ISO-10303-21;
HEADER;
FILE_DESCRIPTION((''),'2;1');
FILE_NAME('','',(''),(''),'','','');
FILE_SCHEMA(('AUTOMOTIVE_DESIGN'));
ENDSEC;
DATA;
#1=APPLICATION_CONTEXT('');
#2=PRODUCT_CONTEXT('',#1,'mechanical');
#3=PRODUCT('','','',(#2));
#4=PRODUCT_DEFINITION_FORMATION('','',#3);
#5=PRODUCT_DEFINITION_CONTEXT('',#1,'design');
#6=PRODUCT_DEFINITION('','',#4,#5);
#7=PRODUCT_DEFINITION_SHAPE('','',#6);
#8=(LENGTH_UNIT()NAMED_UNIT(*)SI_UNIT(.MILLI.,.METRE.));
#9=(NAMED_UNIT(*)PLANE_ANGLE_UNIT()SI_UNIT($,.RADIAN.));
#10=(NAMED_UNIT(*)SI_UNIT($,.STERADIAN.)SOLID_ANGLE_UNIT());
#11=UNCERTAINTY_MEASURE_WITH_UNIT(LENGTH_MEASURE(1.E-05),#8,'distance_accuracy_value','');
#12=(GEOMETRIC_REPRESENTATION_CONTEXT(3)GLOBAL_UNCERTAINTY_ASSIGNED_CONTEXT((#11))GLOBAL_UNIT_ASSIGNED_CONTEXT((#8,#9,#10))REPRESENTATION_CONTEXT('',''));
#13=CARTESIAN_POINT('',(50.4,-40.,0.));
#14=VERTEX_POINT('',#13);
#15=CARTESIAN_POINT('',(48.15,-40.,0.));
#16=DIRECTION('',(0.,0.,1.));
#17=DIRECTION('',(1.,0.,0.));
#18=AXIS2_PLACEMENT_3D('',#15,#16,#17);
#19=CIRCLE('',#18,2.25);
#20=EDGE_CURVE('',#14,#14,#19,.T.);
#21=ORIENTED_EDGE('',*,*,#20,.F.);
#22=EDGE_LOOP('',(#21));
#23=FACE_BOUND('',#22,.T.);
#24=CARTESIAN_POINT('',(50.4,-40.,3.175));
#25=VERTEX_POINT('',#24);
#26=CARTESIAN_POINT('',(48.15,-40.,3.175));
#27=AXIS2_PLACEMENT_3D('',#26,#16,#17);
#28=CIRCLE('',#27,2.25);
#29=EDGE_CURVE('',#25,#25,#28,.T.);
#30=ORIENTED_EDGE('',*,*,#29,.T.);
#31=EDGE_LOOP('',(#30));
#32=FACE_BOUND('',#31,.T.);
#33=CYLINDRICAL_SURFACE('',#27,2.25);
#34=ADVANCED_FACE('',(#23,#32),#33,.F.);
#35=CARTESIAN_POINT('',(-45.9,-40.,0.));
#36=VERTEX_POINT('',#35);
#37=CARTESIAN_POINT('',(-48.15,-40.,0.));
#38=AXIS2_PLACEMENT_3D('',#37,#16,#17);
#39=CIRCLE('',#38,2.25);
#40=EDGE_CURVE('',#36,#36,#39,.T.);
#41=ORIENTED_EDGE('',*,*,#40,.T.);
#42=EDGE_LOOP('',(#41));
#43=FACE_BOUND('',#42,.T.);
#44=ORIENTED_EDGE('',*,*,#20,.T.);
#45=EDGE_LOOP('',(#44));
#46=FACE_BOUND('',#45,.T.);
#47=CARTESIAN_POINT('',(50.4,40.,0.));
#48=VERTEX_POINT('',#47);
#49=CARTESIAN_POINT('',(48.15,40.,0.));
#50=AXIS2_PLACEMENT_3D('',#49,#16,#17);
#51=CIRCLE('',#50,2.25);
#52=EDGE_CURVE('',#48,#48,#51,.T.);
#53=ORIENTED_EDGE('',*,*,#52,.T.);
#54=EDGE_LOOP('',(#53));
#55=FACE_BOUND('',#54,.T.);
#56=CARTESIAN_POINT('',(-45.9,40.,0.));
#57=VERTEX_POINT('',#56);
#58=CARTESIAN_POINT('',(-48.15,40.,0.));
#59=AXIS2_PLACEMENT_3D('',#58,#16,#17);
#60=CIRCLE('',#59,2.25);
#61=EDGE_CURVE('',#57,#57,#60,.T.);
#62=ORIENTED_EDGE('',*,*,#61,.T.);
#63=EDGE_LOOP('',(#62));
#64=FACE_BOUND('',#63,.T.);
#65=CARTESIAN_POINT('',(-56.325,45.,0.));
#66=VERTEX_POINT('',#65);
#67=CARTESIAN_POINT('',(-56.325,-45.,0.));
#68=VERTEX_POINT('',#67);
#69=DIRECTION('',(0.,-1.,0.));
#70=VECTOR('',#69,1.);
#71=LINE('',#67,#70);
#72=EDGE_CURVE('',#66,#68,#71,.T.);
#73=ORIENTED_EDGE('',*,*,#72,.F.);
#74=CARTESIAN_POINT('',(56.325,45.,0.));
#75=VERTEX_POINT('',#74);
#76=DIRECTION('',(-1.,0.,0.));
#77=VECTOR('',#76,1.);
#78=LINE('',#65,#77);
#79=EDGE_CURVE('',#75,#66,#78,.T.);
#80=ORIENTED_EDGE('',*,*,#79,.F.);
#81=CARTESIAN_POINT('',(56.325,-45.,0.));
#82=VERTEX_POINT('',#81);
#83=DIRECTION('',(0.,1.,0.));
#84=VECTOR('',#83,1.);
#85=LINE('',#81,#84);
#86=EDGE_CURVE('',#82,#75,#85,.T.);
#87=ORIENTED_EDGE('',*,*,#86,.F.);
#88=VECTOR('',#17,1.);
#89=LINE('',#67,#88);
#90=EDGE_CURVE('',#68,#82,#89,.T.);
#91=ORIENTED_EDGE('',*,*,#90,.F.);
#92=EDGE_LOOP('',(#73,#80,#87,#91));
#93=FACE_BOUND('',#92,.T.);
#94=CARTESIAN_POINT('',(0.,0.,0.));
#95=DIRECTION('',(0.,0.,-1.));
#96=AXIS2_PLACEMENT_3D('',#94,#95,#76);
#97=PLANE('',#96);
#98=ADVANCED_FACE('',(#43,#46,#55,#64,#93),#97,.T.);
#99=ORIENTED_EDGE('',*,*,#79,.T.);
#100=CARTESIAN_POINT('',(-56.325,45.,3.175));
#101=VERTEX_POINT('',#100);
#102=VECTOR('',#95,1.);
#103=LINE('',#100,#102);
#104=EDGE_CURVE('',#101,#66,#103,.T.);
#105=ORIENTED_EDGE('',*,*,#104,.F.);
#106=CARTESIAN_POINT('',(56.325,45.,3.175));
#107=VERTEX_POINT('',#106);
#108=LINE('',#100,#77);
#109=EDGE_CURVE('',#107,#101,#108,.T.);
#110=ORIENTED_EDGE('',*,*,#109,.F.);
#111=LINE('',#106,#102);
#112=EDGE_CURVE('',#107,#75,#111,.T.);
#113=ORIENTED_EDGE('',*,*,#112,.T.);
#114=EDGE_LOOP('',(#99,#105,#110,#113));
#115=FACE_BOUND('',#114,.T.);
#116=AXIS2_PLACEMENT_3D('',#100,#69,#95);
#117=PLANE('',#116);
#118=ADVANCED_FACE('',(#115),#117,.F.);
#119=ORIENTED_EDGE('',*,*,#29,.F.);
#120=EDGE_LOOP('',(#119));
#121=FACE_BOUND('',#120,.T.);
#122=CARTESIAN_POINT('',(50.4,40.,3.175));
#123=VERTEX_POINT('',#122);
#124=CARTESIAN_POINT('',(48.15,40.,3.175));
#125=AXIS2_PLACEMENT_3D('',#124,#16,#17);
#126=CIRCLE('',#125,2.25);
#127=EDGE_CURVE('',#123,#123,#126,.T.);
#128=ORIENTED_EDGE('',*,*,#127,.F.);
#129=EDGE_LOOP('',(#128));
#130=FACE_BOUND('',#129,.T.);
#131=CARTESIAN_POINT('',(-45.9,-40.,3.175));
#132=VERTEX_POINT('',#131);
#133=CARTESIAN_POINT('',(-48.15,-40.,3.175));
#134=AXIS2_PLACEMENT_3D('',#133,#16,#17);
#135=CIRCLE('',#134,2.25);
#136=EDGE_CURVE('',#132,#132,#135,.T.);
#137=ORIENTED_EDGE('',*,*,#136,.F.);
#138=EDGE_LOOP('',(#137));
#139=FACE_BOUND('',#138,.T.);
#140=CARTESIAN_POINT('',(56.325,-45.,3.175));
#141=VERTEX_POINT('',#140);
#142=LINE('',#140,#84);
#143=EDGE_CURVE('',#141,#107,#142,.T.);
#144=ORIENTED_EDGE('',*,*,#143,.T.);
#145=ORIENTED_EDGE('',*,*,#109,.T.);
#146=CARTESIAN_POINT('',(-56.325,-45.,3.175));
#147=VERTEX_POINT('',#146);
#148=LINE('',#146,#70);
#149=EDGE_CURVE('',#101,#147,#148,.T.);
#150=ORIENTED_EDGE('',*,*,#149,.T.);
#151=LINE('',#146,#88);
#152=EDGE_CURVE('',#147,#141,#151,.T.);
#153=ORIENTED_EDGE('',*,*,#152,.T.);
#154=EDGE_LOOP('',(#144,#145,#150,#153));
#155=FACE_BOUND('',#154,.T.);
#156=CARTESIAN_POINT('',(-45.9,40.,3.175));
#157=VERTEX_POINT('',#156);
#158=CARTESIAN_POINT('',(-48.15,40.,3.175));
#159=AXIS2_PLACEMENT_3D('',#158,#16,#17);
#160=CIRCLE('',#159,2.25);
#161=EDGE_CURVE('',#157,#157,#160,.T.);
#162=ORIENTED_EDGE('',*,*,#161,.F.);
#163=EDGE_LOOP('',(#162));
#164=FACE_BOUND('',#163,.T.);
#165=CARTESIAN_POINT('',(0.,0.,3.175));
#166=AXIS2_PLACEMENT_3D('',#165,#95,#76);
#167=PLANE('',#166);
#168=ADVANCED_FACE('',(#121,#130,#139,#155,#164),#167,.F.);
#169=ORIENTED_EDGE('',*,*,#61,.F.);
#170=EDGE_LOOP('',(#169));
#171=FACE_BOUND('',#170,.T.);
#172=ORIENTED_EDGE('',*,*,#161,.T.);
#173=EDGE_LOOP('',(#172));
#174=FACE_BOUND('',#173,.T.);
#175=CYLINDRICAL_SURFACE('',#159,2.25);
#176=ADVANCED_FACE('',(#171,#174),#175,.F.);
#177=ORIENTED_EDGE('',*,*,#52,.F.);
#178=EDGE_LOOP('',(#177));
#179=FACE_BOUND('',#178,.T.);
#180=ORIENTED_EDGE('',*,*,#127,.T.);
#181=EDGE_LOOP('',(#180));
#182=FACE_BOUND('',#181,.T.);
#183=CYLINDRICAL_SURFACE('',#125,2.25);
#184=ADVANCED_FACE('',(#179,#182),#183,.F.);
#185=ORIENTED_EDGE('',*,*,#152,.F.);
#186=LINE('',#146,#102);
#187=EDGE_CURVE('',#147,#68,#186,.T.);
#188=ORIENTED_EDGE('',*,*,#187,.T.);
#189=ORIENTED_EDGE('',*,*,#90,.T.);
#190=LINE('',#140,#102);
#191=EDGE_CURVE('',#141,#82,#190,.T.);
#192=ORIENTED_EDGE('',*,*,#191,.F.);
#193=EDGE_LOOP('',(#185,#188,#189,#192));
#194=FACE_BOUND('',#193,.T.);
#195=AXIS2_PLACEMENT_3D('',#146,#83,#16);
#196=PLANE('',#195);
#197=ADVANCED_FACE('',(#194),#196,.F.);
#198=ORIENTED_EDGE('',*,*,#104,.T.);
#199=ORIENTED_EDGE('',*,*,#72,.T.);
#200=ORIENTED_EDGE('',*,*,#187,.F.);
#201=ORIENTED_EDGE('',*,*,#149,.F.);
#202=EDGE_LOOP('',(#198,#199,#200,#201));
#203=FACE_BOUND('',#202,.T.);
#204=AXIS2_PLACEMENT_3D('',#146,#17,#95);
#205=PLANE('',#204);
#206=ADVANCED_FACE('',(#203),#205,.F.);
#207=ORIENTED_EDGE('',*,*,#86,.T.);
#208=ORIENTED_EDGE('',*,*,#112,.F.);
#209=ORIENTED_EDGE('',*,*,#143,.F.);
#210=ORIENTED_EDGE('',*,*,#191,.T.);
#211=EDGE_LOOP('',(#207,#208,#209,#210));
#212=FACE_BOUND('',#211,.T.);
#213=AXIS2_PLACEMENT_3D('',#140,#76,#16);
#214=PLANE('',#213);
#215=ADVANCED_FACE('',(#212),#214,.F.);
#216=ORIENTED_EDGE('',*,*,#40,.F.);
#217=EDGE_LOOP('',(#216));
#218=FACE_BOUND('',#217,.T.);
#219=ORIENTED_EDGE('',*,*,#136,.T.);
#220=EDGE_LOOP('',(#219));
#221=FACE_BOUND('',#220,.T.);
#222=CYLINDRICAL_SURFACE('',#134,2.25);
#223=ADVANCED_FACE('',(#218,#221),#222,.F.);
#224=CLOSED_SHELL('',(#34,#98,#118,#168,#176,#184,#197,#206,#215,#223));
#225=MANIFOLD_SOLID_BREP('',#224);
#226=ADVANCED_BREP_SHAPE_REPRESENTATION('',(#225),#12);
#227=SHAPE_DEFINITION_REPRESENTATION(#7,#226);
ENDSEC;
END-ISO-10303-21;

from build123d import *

# Parameters (mm, degrees)
SKETCH1_W                            = 112.65
SKETCH1_H                            = 90
BOSS_EXTRUDE1_DEPTH                  = 3.175
M4_CLEARANCE_HOLE1_D                 = 4.5
MIRROR1_AT_THE_SECOND_PLANE_COPY_1_D = 4.5


with BuildPart() as part:
    # Sketch1 → Boss-Extrude1 (new body)
    with BuildSketch(Plane.XY):
        Rectangle(SKETCH1_W, SKETCH1_H)
    extrude(amount=BOSS_EXTRUDE1_DEPTH)

    # M4 Clearance Hole1 (through all)
    with Locations(Plane.XY.offset(3.175)):
        with Locations((-48.15, -40)):
            m4_clearance_hole1 = Hole(M4_CLEARANCE_HOLE1_D / 2)

    # Mirror1: M4 Clearance Hole1 across plane
    add(m4_clearance_hole1.mirror(Plane(origin=(0, 0, 0), x_dir=(0, 0, 1), z_dir=(1, 0, 0))), mode=Mode.SUBTRACT)

    # Mirror1 at the second plane: M4 Clearance Hole1 across plane
    add(m4_clearance_hole1.mirror(Plane.ZX), mode=Mode.SUBTRACT)

    # Mirror1 at the second plane copy 1 (through all)
    with Locations(Plane(origin=(0, 0, 3.175), x_dir=(-1, 0, 0), z_dir=(0, 0, 1))):
        with Locations((-48.15, -40)):
            Hole(MIRROR1_AT_THE_SECOND_PLANE_COPY_1_D / 2)


solid = part.part
